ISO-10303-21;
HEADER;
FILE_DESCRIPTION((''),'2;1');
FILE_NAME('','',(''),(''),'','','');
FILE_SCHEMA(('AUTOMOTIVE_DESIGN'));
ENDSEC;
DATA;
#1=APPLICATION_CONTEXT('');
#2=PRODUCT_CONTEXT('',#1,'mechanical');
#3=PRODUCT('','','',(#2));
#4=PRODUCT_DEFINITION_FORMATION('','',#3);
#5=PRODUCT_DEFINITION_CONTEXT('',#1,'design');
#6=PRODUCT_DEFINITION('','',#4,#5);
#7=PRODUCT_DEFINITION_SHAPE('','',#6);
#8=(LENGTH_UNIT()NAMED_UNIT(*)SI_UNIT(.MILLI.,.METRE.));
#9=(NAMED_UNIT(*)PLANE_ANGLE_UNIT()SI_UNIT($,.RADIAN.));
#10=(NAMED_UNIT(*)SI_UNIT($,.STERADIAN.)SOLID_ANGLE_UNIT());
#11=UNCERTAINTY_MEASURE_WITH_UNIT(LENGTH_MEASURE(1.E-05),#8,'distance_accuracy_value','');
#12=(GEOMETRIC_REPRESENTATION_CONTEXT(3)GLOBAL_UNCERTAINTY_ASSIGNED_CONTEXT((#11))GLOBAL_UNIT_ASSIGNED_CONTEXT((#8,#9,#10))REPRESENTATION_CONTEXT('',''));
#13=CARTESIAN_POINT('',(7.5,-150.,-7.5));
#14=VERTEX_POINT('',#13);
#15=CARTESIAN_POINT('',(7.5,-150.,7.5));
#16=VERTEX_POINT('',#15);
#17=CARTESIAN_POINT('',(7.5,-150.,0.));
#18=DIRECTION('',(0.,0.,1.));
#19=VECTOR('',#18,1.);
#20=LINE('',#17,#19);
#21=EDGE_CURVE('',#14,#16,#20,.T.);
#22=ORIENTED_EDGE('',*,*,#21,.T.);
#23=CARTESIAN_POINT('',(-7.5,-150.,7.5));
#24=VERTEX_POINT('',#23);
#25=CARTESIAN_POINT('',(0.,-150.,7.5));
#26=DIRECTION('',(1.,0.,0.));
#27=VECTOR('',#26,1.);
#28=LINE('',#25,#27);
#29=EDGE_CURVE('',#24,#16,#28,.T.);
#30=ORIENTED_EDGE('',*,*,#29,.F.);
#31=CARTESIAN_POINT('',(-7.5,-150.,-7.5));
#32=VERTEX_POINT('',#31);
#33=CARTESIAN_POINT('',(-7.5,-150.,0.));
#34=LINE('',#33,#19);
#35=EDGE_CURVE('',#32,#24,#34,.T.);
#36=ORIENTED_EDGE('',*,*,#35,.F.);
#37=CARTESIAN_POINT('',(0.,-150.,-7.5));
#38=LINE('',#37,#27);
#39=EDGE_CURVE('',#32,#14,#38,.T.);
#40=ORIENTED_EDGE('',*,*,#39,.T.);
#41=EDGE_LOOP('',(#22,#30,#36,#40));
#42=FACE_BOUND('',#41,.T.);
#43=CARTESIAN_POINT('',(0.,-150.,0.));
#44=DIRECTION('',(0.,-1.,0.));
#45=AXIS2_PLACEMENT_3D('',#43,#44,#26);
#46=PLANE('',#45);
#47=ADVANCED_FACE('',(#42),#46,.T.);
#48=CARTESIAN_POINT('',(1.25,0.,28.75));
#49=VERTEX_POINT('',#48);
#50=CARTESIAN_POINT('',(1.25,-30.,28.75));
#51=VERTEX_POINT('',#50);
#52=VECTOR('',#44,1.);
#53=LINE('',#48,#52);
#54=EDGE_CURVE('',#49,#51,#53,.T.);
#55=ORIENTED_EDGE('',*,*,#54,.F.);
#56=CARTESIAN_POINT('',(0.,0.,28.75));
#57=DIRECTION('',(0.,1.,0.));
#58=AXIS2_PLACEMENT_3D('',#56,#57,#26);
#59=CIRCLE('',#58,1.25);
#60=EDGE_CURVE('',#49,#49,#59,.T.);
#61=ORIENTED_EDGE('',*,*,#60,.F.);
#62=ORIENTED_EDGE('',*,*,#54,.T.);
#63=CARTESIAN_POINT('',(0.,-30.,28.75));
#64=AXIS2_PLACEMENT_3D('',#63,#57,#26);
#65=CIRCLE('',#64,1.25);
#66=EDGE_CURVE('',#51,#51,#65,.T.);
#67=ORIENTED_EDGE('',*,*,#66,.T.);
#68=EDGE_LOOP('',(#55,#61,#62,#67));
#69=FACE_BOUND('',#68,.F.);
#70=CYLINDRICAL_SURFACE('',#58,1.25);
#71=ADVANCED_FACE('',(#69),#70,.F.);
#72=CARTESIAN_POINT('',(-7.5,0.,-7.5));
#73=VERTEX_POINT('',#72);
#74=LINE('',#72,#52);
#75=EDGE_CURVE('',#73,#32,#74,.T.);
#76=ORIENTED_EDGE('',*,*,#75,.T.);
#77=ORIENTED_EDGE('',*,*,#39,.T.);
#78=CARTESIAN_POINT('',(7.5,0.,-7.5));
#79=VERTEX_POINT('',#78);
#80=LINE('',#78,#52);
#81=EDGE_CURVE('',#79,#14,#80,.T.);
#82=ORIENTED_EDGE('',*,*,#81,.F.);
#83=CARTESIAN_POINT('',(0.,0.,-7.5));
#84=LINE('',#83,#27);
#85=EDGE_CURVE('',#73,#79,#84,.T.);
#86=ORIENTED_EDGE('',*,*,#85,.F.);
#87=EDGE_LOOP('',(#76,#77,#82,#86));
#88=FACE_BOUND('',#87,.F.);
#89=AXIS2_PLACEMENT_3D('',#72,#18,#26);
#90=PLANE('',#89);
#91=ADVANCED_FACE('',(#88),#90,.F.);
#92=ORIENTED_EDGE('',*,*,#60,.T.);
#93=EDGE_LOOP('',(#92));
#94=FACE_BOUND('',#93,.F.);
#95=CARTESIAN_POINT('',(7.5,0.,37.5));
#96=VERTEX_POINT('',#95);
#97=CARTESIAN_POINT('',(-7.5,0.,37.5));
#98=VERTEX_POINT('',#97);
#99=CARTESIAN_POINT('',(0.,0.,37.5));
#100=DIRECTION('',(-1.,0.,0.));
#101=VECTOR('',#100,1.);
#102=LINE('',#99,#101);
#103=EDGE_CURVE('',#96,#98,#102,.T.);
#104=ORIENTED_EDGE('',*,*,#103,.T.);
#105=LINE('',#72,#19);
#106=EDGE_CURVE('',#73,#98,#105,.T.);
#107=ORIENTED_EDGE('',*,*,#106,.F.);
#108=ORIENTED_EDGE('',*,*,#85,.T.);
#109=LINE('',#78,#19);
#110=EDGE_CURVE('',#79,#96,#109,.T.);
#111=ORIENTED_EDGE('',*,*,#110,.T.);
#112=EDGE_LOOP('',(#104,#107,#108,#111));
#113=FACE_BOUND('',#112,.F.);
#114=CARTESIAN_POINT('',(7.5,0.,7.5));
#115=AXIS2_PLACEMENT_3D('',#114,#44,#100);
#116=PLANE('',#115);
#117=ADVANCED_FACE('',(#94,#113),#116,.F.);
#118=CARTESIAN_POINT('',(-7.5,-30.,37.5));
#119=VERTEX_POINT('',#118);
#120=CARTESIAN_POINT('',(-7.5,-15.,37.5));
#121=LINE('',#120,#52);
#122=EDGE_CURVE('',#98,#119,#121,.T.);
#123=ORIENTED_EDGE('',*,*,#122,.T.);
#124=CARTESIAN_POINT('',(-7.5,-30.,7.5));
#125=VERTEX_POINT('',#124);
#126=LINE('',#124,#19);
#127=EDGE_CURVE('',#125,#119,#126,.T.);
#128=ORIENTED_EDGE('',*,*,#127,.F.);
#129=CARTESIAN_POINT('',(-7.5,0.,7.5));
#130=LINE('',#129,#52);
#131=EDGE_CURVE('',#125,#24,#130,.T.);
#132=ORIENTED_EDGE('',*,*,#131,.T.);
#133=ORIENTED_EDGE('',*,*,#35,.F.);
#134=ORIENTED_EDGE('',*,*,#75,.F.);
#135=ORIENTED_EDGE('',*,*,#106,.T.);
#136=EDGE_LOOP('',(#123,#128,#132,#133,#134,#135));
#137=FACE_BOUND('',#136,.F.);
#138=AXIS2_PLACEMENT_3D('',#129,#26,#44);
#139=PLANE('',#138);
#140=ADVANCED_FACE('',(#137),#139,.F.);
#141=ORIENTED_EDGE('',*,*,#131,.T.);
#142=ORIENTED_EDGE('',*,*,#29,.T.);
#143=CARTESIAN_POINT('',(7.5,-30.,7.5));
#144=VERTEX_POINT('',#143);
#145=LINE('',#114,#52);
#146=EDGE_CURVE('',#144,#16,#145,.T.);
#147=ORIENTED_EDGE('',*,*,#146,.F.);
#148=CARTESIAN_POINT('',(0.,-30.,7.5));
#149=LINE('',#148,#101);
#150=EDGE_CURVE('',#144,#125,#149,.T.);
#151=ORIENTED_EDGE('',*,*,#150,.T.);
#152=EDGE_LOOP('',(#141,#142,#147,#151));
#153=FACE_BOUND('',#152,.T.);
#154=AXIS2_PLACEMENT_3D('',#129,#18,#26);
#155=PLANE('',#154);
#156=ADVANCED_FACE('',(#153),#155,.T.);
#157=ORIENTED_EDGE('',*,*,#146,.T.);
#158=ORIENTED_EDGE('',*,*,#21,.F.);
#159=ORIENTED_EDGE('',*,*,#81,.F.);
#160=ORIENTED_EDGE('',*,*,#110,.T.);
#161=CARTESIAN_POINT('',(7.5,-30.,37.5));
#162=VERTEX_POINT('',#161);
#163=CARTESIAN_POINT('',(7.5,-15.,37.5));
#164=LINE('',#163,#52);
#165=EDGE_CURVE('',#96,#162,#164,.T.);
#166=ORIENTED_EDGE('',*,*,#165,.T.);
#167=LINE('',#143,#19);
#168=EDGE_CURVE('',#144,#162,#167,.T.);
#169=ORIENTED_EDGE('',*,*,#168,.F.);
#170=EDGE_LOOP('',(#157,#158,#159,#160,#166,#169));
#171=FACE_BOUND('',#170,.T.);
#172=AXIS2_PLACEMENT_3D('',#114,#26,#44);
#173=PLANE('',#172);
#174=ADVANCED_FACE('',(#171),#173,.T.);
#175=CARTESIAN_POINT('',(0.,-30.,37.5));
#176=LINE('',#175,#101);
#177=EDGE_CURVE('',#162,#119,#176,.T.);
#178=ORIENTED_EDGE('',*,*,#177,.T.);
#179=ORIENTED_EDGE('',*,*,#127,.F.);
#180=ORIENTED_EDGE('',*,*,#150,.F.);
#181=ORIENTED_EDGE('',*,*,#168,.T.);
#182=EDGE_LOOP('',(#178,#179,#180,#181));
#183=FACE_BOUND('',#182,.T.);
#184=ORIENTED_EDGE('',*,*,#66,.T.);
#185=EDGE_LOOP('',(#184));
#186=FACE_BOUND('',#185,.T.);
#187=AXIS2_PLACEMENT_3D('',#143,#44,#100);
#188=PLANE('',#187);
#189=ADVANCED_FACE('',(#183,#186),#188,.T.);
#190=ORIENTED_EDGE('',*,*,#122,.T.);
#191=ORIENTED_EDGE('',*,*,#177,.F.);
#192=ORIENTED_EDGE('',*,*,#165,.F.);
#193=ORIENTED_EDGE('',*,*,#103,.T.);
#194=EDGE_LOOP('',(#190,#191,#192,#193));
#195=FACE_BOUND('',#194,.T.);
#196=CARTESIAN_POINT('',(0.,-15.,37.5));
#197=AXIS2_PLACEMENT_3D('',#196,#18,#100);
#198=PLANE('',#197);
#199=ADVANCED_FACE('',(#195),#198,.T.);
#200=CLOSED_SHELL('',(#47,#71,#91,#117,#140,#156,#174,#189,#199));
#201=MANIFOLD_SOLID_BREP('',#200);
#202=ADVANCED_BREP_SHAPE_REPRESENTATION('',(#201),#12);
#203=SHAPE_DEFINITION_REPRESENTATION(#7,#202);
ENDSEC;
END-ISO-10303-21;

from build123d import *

# Parameters (mm, degrees)
SKETCH_W     = 15
SKETCH_H     = 15
PAD_DEPTH    = 150
SKETCH001_W  = 15
SKETCH001_H  = 30
PAD001_DEPTH = 30
SKETCH002_R  = 1.25
POCKET_DEPTH = 150.001


with BuildPart() as part:
    # Sketch → Pad (new body)
    with BuildSketch(Plane.XZ):
        Rectangle(SKETCH_W, SKETCH_H)
    extrude(amount=PAD_DEPTH)

    # Sketch001 (on Face3 of Pad) → Pad001 (join)
    with BuildSketch(Plane(origin=(0, 0, 7.5), x_dir=(-1, 0, 0), z_dir=(0, 0, 1))):
        with Locations((0, 15)):
            Rectangle(SKETCH001_W, SKETCH001_H)
    extrude(amount=PAD001_DEPTH)

    # Sketch002 → Pocket (cut, through all)
    with BuildSketch(Plane(origin=(0, 0, 0), x_dir=(1, 0, 0), z_dir=(0, 1, 0))):
        with Locations((0, -28.75)):
            Circle(SKETCH002_R)
    extrude(amount=-POCKET_DEPTH, mode=Mode.SUBTRACT)


solid = part.part
